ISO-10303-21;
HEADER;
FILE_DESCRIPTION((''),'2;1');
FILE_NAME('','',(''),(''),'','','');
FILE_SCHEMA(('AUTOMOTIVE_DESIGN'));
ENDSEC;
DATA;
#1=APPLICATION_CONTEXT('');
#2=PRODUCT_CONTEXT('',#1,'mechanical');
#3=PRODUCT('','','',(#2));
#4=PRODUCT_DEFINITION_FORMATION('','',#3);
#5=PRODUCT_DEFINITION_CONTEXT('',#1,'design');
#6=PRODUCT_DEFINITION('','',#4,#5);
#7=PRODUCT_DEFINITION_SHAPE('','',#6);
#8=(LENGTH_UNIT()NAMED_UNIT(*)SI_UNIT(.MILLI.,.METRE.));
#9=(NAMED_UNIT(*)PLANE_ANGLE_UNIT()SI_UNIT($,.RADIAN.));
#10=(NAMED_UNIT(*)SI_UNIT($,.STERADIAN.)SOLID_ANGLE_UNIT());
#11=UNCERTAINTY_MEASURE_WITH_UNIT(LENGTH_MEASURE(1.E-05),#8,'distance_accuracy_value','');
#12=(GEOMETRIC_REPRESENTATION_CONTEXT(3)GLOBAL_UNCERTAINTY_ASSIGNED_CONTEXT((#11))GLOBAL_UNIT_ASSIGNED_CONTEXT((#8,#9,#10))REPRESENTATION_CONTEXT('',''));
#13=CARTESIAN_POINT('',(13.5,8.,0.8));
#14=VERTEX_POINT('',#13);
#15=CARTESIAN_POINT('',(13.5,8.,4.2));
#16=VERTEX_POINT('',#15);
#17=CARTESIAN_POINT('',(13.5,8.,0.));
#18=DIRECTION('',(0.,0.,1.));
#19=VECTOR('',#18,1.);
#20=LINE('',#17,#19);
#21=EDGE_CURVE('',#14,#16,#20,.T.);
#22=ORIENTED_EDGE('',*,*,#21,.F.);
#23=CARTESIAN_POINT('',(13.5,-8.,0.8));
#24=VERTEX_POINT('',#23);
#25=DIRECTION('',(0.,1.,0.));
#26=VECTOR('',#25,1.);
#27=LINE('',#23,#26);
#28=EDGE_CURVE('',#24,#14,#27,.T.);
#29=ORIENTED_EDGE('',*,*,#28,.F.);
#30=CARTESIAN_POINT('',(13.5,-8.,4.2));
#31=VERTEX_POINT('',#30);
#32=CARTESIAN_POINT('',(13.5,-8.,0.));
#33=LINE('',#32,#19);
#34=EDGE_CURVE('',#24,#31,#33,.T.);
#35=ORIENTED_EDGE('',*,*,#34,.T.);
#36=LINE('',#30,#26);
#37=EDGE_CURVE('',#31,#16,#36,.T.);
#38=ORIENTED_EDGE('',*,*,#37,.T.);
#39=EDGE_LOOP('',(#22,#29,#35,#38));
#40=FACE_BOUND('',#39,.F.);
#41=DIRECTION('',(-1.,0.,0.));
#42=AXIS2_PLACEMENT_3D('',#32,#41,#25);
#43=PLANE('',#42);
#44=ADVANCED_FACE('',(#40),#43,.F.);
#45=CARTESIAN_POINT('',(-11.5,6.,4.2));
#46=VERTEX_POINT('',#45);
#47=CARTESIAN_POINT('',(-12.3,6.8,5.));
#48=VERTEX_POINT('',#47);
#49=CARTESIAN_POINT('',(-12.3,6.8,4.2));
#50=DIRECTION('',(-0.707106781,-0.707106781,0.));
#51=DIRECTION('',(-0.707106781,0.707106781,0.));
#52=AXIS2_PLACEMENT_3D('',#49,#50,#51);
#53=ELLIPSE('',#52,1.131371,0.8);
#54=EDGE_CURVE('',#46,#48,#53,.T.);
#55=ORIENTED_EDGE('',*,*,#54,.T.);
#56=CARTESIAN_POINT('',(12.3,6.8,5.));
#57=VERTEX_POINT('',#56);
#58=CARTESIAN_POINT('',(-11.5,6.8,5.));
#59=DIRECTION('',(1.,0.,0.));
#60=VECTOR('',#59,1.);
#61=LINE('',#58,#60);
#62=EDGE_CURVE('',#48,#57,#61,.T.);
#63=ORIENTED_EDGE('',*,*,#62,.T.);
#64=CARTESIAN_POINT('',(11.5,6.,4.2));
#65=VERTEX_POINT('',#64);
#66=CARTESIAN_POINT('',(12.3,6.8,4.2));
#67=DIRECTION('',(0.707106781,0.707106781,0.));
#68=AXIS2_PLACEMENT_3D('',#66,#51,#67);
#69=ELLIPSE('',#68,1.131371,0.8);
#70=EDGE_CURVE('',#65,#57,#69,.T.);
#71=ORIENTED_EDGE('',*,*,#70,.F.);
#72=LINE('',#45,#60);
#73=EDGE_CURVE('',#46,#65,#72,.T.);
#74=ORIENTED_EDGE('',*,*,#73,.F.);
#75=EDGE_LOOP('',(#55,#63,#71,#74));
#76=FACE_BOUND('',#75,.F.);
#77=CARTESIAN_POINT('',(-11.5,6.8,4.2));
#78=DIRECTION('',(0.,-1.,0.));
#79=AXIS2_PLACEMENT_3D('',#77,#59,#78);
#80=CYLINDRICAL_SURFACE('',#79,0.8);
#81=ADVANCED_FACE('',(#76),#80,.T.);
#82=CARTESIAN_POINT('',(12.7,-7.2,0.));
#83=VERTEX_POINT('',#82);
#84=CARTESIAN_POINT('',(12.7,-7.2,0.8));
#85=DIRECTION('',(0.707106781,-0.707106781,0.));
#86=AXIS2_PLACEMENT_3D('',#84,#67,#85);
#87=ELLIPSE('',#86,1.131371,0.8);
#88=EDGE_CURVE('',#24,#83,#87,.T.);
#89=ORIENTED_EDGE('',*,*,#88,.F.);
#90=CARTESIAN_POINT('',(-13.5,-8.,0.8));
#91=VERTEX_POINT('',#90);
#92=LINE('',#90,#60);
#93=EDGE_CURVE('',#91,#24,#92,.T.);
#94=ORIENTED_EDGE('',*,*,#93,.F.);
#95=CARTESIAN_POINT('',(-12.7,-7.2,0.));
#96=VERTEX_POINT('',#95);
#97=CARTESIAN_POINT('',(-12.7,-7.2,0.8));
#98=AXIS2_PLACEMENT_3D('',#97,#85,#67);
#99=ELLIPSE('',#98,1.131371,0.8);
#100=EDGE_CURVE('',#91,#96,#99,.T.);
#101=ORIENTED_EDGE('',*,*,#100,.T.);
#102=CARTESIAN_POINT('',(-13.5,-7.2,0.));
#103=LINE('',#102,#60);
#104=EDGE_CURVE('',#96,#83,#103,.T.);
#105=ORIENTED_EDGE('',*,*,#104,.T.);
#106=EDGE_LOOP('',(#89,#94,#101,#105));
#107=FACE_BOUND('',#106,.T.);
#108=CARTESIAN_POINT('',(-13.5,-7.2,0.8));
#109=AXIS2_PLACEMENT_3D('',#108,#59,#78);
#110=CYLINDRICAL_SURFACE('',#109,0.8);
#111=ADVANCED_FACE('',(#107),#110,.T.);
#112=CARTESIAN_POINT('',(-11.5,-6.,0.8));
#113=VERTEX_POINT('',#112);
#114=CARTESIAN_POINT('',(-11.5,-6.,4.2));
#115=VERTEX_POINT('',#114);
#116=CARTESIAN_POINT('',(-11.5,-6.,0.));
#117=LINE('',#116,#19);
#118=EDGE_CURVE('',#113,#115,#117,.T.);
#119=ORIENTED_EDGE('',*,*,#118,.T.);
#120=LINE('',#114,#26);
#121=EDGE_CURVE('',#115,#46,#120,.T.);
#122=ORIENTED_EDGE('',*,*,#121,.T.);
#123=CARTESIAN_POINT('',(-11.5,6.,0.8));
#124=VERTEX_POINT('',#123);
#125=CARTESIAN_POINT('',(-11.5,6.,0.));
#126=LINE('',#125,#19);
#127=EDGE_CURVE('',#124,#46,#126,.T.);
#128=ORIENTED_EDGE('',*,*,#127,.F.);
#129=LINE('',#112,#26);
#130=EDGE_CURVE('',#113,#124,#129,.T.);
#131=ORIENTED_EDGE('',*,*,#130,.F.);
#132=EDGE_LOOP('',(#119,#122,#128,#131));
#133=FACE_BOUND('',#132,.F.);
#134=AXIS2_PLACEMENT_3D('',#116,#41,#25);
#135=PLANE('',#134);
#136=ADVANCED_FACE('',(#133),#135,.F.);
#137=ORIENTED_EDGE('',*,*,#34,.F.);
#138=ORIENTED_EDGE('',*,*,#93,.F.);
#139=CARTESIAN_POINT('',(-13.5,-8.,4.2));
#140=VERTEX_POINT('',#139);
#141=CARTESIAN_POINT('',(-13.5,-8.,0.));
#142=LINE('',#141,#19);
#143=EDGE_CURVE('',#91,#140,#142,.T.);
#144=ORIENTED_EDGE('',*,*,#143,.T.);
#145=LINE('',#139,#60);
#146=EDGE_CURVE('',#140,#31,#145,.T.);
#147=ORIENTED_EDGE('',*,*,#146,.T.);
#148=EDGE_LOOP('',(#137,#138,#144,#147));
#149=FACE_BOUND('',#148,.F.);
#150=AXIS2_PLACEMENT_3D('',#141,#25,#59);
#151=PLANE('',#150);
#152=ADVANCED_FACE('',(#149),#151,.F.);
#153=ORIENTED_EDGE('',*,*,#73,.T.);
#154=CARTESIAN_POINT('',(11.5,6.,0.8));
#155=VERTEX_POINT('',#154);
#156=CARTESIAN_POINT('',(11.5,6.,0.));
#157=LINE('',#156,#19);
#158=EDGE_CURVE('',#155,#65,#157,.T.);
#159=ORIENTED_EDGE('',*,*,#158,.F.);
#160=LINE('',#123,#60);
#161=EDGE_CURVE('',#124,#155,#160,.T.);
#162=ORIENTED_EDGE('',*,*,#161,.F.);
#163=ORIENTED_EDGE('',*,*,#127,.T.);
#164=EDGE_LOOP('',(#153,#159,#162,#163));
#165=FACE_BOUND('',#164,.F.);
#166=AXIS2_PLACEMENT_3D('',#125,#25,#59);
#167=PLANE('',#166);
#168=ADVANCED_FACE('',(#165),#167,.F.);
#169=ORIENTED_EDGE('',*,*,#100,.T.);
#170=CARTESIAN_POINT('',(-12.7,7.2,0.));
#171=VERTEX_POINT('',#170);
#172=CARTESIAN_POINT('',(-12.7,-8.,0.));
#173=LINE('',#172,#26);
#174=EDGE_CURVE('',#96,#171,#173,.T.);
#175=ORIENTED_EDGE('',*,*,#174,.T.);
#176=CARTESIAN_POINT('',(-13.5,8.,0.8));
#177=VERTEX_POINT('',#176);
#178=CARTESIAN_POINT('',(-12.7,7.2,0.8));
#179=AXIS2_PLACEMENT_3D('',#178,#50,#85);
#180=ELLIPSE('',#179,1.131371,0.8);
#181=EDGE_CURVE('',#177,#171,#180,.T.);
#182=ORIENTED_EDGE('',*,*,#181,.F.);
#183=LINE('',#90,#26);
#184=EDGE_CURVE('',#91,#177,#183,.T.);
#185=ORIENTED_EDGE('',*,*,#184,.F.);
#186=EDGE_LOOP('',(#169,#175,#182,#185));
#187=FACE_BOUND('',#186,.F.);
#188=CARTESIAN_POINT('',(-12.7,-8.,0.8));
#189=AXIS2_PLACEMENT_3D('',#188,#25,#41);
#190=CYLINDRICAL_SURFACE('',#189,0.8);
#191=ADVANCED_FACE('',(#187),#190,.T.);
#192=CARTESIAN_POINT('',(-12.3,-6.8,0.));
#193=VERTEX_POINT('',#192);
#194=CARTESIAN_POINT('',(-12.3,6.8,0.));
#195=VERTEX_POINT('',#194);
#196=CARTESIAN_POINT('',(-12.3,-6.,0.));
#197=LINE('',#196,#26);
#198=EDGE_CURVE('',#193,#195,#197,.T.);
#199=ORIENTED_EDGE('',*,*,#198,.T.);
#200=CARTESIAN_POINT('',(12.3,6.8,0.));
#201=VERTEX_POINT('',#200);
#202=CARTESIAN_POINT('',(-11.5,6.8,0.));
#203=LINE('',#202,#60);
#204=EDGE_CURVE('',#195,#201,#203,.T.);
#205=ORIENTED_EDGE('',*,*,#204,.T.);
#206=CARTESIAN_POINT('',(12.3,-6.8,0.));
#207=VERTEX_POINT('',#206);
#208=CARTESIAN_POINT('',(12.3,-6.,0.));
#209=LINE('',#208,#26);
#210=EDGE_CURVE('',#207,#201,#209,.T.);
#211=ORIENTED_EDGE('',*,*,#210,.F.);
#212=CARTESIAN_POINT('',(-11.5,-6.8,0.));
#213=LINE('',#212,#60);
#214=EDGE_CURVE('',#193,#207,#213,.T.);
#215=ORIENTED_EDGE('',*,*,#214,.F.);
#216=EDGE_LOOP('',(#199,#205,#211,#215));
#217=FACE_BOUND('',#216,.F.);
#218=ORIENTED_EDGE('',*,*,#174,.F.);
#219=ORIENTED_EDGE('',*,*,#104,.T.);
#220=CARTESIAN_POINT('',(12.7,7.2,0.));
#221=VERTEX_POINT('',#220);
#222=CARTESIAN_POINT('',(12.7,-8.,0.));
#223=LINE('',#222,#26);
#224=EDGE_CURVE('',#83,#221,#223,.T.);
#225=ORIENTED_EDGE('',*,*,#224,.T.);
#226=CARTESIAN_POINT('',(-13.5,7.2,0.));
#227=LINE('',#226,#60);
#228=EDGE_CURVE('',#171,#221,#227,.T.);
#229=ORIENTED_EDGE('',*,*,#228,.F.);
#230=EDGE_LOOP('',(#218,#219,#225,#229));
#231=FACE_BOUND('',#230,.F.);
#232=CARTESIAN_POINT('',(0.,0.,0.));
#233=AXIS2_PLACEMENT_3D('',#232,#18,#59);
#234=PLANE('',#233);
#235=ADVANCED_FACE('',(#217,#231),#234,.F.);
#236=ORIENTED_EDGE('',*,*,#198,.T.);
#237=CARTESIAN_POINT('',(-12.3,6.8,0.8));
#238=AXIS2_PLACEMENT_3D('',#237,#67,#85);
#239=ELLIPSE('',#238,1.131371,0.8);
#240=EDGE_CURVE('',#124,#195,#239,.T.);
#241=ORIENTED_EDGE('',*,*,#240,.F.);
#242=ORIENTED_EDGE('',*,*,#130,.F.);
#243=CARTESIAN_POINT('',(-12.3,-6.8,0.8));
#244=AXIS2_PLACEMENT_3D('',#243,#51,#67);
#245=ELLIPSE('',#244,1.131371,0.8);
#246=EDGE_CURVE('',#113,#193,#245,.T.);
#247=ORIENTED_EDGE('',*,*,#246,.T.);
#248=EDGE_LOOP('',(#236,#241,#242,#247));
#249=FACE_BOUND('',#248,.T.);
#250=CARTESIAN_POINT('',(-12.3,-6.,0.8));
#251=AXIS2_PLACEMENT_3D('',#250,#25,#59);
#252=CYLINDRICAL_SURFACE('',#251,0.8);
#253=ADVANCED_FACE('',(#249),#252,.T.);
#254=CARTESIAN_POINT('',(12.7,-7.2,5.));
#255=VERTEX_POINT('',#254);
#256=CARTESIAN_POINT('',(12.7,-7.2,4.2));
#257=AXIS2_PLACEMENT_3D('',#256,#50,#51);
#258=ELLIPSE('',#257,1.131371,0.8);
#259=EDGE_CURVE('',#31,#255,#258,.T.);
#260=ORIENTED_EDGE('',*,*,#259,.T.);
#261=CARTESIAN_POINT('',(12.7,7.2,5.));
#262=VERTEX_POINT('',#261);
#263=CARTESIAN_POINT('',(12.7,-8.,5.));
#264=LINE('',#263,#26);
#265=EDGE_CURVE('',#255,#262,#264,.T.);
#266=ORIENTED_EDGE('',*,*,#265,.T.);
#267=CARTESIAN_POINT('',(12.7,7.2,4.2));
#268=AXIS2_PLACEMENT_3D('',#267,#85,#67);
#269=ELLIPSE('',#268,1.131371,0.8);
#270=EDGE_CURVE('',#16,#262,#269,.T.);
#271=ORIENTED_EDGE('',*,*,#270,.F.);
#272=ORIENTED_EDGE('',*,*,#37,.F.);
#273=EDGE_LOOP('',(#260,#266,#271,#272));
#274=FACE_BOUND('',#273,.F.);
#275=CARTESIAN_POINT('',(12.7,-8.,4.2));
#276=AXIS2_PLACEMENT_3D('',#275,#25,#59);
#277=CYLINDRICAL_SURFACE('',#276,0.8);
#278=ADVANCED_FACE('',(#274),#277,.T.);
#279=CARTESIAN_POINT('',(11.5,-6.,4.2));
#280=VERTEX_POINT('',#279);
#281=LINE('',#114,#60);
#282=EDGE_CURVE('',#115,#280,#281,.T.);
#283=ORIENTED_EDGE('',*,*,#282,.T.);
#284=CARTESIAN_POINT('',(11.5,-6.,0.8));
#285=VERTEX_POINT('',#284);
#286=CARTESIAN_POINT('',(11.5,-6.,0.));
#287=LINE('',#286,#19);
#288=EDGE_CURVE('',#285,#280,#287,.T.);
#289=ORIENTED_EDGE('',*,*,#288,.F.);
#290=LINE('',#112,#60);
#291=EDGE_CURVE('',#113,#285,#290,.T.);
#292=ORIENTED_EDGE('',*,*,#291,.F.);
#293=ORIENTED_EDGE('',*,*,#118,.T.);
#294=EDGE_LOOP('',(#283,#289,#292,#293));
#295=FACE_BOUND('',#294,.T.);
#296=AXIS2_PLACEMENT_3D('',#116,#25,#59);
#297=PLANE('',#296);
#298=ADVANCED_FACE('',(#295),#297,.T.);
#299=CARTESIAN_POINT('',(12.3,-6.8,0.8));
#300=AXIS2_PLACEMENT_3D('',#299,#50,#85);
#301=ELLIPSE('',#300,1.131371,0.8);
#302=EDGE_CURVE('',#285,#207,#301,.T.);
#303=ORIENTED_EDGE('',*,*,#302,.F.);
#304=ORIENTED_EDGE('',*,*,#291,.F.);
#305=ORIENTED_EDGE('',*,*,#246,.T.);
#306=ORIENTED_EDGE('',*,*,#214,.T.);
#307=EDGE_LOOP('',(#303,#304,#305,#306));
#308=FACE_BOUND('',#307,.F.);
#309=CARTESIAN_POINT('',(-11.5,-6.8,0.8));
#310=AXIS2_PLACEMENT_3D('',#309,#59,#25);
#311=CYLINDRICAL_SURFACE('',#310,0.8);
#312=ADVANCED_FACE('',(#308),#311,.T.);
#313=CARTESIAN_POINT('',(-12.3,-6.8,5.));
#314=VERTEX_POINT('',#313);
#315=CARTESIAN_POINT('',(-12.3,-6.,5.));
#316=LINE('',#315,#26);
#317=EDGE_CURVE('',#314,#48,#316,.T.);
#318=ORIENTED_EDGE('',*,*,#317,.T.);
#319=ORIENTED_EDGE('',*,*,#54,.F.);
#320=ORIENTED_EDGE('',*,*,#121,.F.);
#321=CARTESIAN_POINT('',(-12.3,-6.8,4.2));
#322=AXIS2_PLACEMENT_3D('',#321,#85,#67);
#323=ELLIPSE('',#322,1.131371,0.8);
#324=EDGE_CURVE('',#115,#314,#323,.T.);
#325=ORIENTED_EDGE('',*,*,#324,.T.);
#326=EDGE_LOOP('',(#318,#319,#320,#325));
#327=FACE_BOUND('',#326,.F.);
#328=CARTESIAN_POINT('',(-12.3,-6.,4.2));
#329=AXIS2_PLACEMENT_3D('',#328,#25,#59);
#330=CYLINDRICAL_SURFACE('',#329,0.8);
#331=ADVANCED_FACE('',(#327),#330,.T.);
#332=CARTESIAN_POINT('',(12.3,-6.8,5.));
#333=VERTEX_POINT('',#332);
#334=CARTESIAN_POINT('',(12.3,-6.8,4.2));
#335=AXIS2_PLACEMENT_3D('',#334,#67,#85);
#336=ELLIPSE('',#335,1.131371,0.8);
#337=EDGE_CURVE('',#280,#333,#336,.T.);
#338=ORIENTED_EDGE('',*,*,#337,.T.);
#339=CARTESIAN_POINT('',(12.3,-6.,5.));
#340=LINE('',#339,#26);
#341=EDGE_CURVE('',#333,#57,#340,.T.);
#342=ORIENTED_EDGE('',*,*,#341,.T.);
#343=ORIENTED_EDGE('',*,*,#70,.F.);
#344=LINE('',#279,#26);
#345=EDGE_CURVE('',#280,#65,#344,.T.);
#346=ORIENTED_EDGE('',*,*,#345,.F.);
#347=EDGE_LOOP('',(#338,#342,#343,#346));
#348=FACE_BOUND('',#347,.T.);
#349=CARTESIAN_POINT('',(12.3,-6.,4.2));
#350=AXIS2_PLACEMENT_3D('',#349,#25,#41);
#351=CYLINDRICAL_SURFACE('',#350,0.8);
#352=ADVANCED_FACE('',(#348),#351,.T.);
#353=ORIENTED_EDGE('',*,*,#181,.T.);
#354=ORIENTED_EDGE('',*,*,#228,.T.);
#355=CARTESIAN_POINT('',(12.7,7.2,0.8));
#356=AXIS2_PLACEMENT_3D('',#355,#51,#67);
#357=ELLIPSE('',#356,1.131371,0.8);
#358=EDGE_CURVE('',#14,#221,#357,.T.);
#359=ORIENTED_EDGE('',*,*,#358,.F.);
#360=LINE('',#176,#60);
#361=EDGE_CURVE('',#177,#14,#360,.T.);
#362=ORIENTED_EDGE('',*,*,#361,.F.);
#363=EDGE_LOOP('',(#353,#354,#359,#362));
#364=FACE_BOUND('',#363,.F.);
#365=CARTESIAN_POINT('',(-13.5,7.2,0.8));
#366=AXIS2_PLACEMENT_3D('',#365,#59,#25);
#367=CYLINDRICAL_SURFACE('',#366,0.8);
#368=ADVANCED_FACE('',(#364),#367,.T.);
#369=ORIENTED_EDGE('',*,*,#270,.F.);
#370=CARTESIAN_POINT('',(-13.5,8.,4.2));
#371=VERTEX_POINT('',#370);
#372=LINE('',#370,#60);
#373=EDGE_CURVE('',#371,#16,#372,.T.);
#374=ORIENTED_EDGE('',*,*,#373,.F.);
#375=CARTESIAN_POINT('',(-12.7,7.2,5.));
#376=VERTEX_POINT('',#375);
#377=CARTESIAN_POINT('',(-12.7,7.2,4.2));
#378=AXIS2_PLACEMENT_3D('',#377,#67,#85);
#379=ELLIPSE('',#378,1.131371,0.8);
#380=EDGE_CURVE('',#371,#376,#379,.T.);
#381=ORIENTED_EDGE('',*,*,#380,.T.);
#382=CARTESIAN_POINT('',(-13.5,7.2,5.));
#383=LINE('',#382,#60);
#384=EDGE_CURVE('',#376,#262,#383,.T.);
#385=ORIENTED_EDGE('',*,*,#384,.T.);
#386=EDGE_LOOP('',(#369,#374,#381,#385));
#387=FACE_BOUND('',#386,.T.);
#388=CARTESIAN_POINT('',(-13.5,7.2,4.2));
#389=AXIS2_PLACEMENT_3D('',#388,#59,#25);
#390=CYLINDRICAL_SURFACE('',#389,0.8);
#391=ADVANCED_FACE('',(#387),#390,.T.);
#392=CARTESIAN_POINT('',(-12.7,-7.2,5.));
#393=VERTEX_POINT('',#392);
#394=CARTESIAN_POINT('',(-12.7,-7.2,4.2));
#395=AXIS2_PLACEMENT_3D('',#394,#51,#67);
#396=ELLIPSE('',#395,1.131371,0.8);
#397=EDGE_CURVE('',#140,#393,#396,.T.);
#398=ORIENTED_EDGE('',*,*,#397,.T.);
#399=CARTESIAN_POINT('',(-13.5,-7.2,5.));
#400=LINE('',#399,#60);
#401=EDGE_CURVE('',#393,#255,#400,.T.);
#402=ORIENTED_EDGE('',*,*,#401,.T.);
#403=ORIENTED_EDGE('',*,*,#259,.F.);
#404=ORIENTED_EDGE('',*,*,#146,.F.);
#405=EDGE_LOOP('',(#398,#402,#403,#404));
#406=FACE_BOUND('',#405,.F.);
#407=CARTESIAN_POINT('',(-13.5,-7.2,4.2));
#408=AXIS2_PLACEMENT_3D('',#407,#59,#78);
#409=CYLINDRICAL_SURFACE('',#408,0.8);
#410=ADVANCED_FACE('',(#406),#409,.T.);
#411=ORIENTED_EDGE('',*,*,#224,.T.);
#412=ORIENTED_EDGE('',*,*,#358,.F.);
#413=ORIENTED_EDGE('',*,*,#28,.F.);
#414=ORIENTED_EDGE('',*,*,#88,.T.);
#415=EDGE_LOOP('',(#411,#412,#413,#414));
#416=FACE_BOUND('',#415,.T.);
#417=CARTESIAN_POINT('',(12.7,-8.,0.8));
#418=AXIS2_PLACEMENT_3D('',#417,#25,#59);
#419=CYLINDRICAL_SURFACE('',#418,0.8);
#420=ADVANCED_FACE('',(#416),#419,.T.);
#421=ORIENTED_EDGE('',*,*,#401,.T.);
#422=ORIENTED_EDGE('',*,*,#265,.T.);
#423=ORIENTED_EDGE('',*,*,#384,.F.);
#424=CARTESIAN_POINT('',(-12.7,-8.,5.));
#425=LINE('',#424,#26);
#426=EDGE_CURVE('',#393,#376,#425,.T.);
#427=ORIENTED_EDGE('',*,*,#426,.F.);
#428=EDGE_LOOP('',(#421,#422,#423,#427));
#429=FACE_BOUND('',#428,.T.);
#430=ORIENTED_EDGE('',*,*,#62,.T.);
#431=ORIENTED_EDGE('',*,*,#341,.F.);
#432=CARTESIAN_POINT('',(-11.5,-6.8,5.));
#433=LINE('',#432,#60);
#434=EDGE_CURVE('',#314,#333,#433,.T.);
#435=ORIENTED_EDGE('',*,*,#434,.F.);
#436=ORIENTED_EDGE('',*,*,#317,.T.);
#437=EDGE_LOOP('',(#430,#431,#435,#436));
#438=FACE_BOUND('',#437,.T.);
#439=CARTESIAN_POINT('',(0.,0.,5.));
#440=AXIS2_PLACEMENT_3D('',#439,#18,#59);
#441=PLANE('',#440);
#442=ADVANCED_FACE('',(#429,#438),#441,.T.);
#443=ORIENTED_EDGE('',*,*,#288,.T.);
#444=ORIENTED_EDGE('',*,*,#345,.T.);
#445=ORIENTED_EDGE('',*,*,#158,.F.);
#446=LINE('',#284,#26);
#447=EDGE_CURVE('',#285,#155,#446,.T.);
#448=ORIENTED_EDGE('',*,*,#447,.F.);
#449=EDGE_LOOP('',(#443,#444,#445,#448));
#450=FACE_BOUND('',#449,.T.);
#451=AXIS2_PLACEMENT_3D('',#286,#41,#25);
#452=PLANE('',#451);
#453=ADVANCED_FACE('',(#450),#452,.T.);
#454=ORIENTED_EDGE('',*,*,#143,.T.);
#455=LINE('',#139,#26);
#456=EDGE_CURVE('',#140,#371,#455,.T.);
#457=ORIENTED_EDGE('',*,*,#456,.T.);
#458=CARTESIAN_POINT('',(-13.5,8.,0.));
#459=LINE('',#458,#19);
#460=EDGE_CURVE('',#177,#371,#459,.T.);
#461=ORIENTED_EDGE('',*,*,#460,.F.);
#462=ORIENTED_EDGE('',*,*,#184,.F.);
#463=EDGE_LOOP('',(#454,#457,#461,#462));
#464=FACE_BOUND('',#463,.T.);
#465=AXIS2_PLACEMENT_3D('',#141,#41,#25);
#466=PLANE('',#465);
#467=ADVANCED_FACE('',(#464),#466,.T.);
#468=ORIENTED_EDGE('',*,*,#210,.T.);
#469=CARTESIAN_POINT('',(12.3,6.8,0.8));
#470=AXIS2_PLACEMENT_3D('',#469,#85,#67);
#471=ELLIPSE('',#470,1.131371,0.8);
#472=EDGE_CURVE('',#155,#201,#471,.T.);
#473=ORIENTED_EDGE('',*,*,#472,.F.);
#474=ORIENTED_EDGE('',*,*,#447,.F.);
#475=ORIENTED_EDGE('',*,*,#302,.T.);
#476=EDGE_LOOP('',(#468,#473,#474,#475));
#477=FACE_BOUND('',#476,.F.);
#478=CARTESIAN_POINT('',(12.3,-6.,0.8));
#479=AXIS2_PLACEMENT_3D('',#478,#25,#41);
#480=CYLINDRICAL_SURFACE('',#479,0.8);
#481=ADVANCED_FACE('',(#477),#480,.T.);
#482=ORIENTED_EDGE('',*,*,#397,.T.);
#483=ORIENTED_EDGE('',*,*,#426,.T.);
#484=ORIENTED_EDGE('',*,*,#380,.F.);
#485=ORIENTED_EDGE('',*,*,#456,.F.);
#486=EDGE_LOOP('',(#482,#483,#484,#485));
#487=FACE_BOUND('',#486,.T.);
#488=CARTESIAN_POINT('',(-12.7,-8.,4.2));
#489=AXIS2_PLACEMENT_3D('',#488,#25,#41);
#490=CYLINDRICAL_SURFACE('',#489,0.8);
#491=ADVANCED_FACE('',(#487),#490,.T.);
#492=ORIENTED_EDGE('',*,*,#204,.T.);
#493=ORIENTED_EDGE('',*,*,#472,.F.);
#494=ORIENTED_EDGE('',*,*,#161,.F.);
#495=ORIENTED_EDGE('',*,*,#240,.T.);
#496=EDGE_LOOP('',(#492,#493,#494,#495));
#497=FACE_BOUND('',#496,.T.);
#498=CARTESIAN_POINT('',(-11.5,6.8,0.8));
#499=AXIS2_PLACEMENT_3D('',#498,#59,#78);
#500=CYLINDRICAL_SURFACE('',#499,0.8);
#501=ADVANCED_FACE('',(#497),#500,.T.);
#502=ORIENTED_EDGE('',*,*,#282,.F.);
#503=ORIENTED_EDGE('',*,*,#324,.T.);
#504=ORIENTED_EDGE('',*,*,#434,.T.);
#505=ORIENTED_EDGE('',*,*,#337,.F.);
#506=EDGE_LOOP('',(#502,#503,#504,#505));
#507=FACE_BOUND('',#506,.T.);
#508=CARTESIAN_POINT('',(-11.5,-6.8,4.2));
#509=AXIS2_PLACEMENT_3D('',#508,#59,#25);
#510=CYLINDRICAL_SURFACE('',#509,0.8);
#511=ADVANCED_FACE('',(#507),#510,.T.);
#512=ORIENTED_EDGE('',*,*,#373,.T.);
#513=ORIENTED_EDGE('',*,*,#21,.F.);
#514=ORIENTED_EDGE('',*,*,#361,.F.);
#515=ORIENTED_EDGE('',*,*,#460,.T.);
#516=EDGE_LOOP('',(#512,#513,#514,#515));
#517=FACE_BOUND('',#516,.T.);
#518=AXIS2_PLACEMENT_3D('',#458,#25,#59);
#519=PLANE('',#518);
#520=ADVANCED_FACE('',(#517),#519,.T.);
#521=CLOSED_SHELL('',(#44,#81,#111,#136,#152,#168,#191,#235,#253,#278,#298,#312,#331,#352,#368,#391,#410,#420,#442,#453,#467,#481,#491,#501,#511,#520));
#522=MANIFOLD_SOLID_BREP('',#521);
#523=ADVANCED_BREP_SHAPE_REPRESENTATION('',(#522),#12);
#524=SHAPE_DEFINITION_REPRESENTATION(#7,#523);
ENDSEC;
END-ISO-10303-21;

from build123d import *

# Parameters (mm, degrees)
F0_W     = 27
F0_H     = 16
F0_W_2   = 23
F0_H_2   = 12
F1_DEPTH = 5
F2_R     = 0.8


with BuildPart() as f1:
    # F0 (on Top) → F1 (new body)
    with BuildSketch(Plane.XY):
        Rectangle(F0_W, F0_H)
        Rectangle(F0_W_2, F0_H_2, mode=Mode.SUBTRACT)
    extrude(amount=F1_DEPTH)

    # F2
    f2_edges = [f1.edges().sort_by_distance(p)[0] for p in [
        (0, 8, 5),
        (13.5, 0, 5),
        (0, -8, 5),
        (-13.5, 0, 5),
        (-11.5, 0, 5),
        (0, 6, 5),
        (0, -6, 5),
        (11.5, 0, 5),
        (0, -8, 0),
        (0, -6, 0),
        (0, 6, 0),
        (0, 8, 0),
        (13.5, 0, 0),
        (11.5, 0, 0),
        (-13.5, 0, 0),
        (-11.5, 0, 0),
    ]]
    fillet(f2_edges, radius=F2_R)


solid = f1.part
